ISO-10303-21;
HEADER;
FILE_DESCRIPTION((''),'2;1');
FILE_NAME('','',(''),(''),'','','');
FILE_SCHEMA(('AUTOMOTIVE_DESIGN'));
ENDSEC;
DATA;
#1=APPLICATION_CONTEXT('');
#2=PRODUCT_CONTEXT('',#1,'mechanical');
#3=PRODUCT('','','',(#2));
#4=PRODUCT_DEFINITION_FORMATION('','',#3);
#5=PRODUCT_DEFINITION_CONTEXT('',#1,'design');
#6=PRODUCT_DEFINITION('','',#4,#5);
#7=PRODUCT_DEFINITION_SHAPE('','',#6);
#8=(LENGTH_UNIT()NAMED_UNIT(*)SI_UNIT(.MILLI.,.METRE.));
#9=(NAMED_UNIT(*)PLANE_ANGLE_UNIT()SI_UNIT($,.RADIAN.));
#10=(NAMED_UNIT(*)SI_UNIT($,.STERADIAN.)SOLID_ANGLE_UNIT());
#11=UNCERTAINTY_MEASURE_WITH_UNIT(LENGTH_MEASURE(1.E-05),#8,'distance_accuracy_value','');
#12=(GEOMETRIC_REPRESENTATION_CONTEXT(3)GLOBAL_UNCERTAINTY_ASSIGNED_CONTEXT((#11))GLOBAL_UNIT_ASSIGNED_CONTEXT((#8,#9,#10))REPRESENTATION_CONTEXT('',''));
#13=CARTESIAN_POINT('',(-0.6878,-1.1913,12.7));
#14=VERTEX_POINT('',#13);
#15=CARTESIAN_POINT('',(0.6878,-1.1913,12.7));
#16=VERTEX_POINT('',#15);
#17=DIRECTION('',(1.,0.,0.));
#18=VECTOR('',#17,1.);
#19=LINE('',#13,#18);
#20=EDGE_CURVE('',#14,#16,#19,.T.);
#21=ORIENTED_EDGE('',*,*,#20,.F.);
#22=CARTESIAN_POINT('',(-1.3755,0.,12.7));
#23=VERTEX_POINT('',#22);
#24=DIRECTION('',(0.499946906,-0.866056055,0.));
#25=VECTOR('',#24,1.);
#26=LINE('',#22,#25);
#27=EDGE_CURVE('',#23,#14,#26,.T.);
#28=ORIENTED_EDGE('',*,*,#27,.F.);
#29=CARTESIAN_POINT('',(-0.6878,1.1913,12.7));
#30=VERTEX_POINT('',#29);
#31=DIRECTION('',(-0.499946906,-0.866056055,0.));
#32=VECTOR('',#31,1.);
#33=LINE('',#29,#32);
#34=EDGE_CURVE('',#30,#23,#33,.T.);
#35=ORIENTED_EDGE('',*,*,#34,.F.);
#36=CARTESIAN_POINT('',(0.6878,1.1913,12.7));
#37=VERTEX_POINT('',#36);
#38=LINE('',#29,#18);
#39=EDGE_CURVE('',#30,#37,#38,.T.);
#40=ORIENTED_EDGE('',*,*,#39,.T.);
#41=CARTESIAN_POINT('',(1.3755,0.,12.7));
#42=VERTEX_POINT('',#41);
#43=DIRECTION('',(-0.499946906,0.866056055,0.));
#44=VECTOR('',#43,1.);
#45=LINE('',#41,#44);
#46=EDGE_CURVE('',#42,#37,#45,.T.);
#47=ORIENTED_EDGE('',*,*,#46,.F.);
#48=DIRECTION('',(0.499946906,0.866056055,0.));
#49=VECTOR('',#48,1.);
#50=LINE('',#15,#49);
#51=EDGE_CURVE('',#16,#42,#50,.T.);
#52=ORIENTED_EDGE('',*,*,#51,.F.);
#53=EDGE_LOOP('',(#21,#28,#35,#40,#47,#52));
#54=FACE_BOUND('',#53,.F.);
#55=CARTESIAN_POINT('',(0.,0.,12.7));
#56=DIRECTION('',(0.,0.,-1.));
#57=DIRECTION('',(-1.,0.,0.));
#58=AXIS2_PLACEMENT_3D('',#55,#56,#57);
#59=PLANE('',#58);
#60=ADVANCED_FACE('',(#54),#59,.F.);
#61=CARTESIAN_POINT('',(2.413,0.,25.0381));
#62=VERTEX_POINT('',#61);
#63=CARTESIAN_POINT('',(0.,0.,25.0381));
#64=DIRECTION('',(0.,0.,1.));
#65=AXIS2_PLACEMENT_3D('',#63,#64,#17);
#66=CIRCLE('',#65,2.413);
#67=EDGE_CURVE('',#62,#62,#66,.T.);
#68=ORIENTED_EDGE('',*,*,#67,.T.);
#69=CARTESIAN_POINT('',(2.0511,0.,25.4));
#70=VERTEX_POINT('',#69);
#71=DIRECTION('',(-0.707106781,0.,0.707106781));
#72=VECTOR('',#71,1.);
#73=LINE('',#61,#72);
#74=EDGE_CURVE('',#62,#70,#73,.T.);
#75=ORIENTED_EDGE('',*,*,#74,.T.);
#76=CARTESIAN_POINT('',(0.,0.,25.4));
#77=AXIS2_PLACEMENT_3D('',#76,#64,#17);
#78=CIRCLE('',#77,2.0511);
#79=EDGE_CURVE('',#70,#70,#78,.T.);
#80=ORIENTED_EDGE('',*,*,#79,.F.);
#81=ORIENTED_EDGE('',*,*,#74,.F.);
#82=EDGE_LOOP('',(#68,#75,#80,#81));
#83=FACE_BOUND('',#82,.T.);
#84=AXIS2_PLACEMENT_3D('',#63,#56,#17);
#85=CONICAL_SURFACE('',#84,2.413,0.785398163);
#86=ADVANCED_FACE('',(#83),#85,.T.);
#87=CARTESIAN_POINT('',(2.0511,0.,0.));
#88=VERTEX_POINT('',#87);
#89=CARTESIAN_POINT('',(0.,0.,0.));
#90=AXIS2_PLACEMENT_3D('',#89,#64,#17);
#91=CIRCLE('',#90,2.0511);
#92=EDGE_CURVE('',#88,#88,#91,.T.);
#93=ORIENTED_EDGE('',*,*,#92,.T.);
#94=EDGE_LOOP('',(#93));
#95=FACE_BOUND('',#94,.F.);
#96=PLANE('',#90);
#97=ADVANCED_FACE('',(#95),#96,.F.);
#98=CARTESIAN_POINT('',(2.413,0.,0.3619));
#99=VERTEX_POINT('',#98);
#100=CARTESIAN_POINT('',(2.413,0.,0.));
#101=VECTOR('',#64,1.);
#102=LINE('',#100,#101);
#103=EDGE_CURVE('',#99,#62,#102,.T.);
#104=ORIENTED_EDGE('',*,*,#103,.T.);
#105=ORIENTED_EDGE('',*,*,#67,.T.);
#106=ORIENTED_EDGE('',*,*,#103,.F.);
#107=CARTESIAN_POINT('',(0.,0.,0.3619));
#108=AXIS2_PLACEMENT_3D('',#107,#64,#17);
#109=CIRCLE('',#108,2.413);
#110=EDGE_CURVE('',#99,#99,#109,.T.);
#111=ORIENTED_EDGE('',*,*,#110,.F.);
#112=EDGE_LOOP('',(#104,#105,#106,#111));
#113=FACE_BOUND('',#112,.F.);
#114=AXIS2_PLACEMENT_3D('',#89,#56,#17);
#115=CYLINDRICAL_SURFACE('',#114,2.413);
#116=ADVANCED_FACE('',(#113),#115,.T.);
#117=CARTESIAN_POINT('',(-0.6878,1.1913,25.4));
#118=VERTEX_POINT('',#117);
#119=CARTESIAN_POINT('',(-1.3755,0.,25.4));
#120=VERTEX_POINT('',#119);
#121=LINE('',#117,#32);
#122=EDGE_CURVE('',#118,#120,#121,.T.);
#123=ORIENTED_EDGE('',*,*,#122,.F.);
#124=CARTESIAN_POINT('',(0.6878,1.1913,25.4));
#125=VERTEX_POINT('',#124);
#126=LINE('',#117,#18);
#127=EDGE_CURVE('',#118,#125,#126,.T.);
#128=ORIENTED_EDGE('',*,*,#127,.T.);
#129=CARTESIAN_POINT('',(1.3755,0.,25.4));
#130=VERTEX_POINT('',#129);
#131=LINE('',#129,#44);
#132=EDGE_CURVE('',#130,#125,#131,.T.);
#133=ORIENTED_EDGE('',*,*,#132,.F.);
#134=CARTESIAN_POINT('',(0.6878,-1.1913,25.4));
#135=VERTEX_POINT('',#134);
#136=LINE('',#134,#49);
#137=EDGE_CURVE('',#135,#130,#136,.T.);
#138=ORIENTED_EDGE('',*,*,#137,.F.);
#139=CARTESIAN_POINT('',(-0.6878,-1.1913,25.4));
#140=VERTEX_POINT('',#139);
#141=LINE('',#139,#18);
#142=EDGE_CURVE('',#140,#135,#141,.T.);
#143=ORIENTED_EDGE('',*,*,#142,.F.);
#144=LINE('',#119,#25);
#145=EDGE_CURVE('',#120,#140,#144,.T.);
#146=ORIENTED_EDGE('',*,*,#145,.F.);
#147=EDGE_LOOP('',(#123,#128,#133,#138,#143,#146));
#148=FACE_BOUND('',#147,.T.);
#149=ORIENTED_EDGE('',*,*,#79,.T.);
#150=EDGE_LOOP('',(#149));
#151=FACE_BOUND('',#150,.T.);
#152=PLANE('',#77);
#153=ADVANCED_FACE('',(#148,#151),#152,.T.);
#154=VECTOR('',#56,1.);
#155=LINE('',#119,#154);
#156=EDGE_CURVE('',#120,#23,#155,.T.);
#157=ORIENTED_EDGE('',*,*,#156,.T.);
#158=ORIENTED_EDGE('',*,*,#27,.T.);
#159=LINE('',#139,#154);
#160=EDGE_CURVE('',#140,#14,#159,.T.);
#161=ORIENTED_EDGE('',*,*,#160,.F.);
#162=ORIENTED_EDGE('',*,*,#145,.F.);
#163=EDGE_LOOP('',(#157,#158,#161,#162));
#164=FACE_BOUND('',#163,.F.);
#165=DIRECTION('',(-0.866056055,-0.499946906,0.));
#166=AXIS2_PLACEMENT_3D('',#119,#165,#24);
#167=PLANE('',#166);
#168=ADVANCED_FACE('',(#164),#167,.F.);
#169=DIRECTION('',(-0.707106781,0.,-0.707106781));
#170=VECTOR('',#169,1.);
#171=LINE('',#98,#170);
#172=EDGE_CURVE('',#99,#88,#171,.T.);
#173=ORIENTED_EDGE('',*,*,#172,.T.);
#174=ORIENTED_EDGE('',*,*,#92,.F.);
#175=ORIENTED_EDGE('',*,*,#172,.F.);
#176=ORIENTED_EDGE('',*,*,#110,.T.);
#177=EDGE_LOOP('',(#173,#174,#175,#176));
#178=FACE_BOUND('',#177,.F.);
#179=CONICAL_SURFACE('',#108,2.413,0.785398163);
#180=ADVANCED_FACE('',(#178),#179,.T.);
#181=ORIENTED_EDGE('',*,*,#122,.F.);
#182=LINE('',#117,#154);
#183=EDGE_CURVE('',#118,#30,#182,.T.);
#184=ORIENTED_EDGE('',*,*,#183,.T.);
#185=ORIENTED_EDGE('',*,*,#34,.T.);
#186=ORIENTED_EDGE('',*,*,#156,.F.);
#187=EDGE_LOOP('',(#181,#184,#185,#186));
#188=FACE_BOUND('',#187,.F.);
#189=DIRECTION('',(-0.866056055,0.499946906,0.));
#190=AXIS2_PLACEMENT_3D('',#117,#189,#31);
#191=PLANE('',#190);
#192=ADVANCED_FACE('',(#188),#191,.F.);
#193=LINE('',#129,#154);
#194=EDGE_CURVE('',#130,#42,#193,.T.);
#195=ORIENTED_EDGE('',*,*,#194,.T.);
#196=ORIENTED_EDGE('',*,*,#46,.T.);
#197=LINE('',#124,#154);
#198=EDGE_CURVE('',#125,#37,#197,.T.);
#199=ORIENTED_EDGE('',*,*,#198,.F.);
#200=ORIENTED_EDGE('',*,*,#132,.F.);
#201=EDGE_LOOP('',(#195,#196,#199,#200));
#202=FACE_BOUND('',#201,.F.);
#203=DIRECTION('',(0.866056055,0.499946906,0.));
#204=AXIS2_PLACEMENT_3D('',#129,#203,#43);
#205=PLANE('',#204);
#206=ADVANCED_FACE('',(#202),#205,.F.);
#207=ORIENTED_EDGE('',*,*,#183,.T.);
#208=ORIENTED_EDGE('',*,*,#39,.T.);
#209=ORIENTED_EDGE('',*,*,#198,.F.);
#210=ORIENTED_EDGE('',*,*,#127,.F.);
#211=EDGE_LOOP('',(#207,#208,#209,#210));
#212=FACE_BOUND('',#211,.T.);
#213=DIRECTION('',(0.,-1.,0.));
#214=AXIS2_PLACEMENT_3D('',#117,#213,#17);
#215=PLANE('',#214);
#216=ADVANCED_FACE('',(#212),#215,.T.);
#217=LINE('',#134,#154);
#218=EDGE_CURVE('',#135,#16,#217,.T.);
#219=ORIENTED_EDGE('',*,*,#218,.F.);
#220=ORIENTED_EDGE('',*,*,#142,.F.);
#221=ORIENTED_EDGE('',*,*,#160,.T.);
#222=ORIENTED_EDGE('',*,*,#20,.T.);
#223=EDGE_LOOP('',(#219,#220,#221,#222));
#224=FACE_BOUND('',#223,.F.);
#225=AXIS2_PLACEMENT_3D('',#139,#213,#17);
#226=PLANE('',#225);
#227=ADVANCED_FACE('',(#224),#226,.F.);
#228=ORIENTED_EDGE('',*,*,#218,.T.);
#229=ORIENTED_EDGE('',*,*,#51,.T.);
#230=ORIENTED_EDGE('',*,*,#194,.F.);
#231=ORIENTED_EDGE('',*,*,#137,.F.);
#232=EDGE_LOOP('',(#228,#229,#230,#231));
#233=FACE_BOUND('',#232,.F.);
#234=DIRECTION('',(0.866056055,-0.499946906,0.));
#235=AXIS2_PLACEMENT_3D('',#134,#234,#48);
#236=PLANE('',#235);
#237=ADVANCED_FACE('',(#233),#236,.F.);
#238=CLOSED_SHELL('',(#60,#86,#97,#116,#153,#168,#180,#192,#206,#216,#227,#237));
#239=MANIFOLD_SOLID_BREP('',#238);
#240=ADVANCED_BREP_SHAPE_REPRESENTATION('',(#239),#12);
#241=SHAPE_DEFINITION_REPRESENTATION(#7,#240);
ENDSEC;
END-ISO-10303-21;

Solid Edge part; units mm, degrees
sketch "Sketch1" plane through (0, 0, 0) normal (0, 0, 1) x (1, 0, 0)
  circle A0 centre (0, 0) radius 2.413
  dimension "D1" = 4.826
extrude "Protrusion1" add sketch "Sketch1" along normal blind 25.4
chamfer "Chamfer1" distance 0.3619 angle 45 2 edges at (-2.413, 0, 0) (-2.413, 0, 25.4)
sketch "Sketch2" plane through (0, 0, 25.4) normal (0, 0, 1) x (1, 0, 0)
  line L0 (-0.6878, 1.1913) -> (0.6878, 1.1913)
  line L1 (1.3755, 0) -> (0.6878, 1.1913)
  line L2 (0.6878, -1.1913) -> (1.3755, 0)
  line L3 (-0.6878, -1.1913) -> (0.6878, -1.1913)
  line L4 (-1.3755, 0) -> (-0.6878, -1.1913)
  line L5 (-0.6878, 1.1913) -> (-1.3755, 0)
  dimension "D1" = 2.3825
extrude "Cutout1" cut sketch "Sketch2" against normal blind 12.7
properties part number "125797"
